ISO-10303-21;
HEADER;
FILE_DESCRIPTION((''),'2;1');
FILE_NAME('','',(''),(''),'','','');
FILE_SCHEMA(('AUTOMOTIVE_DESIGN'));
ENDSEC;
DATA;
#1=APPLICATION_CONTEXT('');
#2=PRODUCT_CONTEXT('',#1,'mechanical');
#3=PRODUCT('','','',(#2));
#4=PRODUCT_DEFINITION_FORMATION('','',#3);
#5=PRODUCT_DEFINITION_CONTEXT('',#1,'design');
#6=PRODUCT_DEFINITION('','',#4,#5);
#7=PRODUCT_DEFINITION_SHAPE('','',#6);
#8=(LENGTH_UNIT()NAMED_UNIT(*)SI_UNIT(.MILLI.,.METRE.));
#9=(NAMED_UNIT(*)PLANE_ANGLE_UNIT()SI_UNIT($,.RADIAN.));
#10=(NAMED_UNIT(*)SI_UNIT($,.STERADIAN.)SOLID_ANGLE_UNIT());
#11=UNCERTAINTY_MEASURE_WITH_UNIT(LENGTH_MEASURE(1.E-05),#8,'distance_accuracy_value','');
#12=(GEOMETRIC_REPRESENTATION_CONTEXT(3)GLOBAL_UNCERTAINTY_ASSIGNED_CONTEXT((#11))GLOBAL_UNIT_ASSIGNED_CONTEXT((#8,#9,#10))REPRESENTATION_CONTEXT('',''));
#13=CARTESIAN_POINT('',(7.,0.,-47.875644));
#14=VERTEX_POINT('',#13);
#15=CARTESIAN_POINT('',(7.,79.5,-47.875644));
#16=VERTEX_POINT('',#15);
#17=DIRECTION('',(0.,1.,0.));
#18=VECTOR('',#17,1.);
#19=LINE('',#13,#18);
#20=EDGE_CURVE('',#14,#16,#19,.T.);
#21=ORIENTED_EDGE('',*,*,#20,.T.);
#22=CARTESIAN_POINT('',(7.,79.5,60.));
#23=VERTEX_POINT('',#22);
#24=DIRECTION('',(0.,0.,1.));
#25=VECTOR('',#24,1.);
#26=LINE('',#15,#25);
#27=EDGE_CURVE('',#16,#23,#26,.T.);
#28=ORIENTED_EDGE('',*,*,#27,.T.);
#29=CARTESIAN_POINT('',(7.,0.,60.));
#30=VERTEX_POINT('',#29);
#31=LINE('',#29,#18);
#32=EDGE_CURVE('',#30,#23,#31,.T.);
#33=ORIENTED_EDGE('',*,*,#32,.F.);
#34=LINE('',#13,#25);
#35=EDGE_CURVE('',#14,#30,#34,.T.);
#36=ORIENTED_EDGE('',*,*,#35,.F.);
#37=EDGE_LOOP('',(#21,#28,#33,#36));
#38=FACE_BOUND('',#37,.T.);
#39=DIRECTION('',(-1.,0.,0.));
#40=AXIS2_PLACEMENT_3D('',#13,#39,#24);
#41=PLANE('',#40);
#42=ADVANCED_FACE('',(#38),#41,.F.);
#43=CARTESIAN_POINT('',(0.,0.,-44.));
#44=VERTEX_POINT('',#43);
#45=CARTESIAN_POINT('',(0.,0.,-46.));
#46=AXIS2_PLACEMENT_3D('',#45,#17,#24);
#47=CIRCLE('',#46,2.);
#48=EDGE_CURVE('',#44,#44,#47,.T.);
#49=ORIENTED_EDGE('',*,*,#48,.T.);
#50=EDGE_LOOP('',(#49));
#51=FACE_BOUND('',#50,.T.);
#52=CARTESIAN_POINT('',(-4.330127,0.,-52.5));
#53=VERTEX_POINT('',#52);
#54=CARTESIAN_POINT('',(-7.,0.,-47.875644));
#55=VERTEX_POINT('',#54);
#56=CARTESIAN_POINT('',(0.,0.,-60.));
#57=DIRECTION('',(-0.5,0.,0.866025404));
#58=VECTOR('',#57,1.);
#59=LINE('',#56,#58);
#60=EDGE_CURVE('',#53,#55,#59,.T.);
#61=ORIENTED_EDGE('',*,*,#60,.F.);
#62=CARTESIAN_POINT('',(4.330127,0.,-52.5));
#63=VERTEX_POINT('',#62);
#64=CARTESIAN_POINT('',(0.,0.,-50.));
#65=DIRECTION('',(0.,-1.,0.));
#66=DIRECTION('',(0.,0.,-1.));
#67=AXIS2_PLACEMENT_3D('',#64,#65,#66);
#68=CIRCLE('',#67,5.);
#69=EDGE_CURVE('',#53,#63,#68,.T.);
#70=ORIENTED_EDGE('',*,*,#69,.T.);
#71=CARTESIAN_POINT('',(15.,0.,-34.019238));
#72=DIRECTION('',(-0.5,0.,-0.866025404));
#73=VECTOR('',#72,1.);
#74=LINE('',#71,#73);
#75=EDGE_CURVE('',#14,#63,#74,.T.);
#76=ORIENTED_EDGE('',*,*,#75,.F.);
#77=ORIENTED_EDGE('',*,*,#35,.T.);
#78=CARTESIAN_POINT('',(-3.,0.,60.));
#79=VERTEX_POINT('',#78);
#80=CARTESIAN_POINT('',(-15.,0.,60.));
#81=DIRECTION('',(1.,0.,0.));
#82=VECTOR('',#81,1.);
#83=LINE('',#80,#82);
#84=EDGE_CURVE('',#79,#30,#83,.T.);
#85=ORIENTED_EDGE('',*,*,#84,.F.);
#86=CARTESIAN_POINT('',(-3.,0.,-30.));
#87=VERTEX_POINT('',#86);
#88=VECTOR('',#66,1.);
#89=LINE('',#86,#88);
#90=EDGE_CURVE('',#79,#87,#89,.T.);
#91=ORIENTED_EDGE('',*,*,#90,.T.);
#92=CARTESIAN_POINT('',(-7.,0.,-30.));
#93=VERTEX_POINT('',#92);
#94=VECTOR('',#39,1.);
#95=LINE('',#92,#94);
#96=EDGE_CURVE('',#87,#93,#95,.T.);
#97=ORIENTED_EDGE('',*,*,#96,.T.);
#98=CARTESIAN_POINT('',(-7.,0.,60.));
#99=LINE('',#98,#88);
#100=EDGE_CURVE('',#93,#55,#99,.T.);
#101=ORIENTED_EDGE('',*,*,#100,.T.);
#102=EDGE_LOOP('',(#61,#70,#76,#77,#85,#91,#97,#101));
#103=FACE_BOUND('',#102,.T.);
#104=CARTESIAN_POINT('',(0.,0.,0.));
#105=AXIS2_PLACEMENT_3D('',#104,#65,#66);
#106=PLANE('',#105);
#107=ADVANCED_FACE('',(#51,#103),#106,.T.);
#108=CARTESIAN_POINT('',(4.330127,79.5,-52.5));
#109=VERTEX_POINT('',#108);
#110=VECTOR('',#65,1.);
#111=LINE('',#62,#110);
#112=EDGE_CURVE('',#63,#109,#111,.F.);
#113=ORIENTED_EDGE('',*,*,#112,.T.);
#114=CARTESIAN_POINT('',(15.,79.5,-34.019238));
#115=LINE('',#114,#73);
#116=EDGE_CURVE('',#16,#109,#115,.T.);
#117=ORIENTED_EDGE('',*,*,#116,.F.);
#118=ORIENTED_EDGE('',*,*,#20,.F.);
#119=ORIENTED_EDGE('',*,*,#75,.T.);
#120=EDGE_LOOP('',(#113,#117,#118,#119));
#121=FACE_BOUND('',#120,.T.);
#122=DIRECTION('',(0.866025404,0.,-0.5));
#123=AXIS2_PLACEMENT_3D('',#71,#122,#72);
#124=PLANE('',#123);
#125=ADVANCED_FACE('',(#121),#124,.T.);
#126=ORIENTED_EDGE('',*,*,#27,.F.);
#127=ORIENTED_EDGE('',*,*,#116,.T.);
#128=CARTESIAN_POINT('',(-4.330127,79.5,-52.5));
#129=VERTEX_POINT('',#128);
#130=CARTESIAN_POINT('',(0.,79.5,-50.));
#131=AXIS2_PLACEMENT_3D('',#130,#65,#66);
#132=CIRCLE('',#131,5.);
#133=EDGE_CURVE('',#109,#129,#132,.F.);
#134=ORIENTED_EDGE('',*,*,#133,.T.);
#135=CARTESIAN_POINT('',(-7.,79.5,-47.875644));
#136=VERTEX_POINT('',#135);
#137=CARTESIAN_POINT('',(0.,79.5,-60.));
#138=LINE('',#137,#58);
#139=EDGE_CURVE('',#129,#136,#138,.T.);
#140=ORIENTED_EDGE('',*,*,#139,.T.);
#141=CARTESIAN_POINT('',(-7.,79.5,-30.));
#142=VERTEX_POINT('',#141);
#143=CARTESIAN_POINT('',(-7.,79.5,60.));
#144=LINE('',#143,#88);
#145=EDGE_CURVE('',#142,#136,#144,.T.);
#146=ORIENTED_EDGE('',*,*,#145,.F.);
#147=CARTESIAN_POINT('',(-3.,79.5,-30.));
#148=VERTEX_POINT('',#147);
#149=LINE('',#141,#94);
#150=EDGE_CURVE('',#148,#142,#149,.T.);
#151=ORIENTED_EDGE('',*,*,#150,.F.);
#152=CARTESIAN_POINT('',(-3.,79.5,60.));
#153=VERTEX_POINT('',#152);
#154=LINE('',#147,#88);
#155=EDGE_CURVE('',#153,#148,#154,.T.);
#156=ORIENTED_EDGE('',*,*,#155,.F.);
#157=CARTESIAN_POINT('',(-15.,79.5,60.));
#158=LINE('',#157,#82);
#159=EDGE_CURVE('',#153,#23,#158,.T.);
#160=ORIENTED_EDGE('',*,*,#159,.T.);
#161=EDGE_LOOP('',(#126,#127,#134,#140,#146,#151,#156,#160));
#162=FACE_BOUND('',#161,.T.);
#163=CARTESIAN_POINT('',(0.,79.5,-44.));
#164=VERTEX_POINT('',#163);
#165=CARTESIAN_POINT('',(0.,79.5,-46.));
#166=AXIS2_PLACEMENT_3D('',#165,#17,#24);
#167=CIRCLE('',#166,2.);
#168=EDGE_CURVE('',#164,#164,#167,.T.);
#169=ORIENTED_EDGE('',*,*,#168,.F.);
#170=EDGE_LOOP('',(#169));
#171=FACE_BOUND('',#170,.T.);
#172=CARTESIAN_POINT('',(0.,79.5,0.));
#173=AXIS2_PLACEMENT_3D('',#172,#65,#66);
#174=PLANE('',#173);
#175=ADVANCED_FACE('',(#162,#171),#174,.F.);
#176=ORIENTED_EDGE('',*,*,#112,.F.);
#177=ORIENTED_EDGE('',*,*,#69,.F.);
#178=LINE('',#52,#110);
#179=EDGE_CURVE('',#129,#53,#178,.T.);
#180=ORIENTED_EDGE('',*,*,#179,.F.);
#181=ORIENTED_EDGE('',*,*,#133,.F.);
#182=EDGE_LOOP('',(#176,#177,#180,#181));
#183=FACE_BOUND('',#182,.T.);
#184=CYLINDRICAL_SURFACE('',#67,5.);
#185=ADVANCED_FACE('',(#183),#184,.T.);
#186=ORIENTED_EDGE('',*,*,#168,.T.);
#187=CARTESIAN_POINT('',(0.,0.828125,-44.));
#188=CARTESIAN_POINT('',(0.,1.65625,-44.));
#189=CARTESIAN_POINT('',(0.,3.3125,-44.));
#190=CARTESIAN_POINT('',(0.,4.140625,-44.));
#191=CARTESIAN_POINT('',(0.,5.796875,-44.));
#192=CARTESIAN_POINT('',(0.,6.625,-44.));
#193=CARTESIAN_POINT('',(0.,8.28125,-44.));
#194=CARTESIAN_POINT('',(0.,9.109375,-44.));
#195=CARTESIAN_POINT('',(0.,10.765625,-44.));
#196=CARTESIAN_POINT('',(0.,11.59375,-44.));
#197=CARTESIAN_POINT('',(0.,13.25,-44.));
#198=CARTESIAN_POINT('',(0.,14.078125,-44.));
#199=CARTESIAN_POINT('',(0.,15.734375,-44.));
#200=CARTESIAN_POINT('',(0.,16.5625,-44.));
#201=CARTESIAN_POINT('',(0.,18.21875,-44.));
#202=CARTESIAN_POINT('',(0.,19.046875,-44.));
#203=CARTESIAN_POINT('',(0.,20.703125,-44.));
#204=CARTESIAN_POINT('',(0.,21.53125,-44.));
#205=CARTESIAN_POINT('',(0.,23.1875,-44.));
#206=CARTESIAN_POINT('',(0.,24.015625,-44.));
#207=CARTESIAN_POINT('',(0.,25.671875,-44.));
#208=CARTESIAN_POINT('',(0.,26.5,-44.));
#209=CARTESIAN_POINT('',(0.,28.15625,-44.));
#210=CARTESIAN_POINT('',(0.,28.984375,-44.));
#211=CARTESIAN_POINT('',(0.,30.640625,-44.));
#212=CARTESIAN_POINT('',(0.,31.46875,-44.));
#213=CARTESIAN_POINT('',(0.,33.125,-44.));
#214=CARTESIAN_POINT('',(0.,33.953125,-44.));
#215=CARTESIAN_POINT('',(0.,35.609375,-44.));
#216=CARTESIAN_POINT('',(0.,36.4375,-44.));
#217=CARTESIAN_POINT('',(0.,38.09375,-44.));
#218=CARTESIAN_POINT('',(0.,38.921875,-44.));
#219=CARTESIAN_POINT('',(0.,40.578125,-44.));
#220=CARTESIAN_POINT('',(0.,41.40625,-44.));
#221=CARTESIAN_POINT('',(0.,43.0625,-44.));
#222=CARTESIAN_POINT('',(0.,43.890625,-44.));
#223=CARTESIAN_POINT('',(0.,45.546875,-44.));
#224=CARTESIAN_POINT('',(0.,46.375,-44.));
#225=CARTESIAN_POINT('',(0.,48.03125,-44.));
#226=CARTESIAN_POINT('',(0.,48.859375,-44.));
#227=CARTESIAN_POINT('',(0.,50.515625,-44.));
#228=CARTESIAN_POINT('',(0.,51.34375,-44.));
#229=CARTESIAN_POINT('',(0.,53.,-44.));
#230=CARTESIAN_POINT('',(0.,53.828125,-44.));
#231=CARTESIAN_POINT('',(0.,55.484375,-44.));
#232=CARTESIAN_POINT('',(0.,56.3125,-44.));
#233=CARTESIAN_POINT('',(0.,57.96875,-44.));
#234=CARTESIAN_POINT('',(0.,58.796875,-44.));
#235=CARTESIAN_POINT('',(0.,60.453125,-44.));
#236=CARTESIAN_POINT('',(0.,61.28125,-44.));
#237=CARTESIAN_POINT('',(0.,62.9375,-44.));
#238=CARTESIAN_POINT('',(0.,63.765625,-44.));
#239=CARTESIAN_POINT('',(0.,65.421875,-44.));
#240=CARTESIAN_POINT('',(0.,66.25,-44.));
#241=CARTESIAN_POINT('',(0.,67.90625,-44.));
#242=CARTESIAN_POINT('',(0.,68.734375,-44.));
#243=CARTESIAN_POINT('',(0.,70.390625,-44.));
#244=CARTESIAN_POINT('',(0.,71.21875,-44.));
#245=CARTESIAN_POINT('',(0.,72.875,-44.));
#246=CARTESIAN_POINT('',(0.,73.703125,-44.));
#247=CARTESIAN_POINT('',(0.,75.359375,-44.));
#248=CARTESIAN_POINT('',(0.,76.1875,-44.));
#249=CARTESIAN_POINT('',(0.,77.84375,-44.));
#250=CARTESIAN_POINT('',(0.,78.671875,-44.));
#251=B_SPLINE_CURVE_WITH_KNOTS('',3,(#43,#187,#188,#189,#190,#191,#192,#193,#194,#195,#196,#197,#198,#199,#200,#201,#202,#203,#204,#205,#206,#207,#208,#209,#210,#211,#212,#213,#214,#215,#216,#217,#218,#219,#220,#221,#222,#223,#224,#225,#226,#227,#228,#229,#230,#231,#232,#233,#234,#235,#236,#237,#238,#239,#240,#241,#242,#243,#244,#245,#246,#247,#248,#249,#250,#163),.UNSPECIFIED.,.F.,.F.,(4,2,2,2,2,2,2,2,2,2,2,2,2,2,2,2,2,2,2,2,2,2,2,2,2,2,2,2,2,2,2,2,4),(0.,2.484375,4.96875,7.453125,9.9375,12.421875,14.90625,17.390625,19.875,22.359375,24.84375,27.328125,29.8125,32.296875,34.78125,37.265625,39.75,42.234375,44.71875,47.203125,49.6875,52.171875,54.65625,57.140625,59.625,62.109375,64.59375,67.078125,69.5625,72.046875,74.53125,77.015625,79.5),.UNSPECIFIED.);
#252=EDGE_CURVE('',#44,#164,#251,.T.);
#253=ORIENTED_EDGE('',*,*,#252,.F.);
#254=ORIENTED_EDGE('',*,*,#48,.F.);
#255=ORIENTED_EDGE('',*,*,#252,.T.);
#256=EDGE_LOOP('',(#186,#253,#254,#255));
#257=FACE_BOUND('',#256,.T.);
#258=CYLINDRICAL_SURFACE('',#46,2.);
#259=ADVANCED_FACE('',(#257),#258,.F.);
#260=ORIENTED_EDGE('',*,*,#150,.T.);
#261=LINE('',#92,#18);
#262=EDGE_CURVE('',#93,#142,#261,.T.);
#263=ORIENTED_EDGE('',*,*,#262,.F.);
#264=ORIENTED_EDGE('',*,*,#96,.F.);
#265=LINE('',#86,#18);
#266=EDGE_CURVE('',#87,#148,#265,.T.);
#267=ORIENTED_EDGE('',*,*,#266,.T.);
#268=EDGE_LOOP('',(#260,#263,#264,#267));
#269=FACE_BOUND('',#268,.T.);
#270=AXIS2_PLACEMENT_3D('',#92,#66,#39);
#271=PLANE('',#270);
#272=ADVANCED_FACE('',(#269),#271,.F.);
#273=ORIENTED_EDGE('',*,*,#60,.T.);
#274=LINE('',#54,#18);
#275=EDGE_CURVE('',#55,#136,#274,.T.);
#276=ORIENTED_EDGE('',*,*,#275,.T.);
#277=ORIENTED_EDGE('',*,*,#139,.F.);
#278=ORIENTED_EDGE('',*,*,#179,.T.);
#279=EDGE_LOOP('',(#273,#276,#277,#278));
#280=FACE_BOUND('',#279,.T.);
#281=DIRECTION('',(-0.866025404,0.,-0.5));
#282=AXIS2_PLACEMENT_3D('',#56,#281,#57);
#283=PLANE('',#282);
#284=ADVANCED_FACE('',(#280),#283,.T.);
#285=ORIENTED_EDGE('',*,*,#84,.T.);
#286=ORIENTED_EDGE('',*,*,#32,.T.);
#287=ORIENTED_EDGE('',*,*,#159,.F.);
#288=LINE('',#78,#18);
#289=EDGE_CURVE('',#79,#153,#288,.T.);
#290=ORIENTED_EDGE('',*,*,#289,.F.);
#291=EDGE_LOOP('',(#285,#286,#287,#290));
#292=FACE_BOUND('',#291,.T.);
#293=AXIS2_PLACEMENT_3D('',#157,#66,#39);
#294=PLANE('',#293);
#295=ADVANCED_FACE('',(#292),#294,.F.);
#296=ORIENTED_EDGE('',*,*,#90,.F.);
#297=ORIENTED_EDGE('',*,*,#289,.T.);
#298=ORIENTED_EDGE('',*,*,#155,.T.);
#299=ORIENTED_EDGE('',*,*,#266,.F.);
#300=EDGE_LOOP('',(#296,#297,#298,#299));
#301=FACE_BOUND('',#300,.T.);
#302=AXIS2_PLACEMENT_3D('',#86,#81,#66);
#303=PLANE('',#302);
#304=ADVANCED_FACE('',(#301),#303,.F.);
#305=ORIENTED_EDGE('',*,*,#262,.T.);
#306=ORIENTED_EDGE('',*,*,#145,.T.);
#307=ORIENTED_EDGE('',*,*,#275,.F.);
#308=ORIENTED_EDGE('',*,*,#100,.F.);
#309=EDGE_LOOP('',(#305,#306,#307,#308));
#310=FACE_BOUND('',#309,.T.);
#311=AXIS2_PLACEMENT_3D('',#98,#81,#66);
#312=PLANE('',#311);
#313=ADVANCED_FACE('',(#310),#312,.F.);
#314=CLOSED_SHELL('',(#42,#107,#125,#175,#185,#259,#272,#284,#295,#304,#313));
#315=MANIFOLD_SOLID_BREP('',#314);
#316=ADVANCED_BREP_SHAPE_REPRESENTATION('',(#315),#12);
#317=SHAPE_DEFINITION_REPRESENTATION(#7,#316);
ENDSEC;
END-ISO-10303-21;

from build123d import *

# Parameters (mm, degrees)
SKETCH1_W           = 30
SKETCH1_H           = 120
BOSS_EXTRUDE1_DEPTH = 79.5
SKETCH2_OUTSIDE_W   = 61.408
SKETCH2_OUTSIDE_H   = 151.408
CUT_EXTRUDE2_DEPTH  = 101.723631785
FILLET1_R           = 5
CUT_EXTRUDE3_DEPTH  = 101.723631785
SKETCH4_W           = 4
SKETCH4_H           = 90
CUT_EXTRUDE4_DEPTH  = 100.846131623
SKETCH5_R           = 2
CUT_EXTRUDE5_DEPTH  = 100.846131623


with BuildPart() as part:
    # Sketch1 → Boss-Extrude1 (new body)
    with BuildSketch(Plane(origin=(0, 0, 0), x_dir=(1, 0, 0), z_dir=(0, 1, 0))):
        Rectangle(SKETCH1_W, SKETCH1_H)
    extrude(amount=BOSS_EXTRUDE1_DEPTH)

    # Sketch2 outside → Cut-Extrude2 (cut, through all)
    with BuildSketch(Plane(origin=(0, 79.5, 0), x_dir=(1, 0, 0), z_dir=(0, 1, 0))):
        Rectangle(SKETCH2_OUTSIDE_W, SKETCH2_OUTSIDE_H)
        Polygon((0, 60), (-15, 34.019237886), (-15, -60), (15, -60), (15, 34.019237886), align=None, mode=Mode.SUBTRACT)
    extrude(amount=-CUT_EXTRUDE2_DEPTH, mode=Mode.SUBTRACT)

    # Fillet1
    fillet1_edges = [part.edges().sort_by_distance(p)[0] for p in [
        (0, 39.75, -60),
    ]]
    fillet(fillet1_edges, radius=FILLET1_R)

    # Sketch3 → Cut-Extrude3 (cut, through all)
    with BuildSketch(Plane(origin=(0, 79.5, 0), x_dir=(1, 0, 0), z_dir=(0, 1, 0))):
        Polygon((-15, 34.019237886), (-15, -60), (-7, -60), (-7, 47.875644347), align=None)
        Polygon((7, 47.875644347), (7, -60), (15, -60), (15, 34.019237886), align=None)
    extrude(amount=-CUT_EXTRUDE3_DEPTH, mode=Mode.SUBTRACT)

    # Sketch4 → Cut-Extrude4 (cut, through all)
    with BuildSketch(Plane(origin=(0, 79.5, 0), x_dir=(1, 0, 0), z_dir=(0, 1, 0))):
        with Locations((-5, -15)):
            Rectangle(SKETCH4_W, SKETCH4_H)
    extrude(amount=-CUT_EXTRUDE4_DEPTH, mode=Mode.SUBTRACT)

    # Sketch5 → Cut-Extrude5 (cut, through all)
    with BuildSketch(Plane(origin=(0, 79.5, 0), x_dir=(1, 0, 0), z_dir=(0, 1, 0))):
        with Locations(Location((0, 46, 0), (0, 0, 270))):
            Circle(SKETCH5_R)
    extrude(amount=-CUT_EXTRUDE5_DEPTH, mode=Mode.SUBTRACT)


solid = part.part
